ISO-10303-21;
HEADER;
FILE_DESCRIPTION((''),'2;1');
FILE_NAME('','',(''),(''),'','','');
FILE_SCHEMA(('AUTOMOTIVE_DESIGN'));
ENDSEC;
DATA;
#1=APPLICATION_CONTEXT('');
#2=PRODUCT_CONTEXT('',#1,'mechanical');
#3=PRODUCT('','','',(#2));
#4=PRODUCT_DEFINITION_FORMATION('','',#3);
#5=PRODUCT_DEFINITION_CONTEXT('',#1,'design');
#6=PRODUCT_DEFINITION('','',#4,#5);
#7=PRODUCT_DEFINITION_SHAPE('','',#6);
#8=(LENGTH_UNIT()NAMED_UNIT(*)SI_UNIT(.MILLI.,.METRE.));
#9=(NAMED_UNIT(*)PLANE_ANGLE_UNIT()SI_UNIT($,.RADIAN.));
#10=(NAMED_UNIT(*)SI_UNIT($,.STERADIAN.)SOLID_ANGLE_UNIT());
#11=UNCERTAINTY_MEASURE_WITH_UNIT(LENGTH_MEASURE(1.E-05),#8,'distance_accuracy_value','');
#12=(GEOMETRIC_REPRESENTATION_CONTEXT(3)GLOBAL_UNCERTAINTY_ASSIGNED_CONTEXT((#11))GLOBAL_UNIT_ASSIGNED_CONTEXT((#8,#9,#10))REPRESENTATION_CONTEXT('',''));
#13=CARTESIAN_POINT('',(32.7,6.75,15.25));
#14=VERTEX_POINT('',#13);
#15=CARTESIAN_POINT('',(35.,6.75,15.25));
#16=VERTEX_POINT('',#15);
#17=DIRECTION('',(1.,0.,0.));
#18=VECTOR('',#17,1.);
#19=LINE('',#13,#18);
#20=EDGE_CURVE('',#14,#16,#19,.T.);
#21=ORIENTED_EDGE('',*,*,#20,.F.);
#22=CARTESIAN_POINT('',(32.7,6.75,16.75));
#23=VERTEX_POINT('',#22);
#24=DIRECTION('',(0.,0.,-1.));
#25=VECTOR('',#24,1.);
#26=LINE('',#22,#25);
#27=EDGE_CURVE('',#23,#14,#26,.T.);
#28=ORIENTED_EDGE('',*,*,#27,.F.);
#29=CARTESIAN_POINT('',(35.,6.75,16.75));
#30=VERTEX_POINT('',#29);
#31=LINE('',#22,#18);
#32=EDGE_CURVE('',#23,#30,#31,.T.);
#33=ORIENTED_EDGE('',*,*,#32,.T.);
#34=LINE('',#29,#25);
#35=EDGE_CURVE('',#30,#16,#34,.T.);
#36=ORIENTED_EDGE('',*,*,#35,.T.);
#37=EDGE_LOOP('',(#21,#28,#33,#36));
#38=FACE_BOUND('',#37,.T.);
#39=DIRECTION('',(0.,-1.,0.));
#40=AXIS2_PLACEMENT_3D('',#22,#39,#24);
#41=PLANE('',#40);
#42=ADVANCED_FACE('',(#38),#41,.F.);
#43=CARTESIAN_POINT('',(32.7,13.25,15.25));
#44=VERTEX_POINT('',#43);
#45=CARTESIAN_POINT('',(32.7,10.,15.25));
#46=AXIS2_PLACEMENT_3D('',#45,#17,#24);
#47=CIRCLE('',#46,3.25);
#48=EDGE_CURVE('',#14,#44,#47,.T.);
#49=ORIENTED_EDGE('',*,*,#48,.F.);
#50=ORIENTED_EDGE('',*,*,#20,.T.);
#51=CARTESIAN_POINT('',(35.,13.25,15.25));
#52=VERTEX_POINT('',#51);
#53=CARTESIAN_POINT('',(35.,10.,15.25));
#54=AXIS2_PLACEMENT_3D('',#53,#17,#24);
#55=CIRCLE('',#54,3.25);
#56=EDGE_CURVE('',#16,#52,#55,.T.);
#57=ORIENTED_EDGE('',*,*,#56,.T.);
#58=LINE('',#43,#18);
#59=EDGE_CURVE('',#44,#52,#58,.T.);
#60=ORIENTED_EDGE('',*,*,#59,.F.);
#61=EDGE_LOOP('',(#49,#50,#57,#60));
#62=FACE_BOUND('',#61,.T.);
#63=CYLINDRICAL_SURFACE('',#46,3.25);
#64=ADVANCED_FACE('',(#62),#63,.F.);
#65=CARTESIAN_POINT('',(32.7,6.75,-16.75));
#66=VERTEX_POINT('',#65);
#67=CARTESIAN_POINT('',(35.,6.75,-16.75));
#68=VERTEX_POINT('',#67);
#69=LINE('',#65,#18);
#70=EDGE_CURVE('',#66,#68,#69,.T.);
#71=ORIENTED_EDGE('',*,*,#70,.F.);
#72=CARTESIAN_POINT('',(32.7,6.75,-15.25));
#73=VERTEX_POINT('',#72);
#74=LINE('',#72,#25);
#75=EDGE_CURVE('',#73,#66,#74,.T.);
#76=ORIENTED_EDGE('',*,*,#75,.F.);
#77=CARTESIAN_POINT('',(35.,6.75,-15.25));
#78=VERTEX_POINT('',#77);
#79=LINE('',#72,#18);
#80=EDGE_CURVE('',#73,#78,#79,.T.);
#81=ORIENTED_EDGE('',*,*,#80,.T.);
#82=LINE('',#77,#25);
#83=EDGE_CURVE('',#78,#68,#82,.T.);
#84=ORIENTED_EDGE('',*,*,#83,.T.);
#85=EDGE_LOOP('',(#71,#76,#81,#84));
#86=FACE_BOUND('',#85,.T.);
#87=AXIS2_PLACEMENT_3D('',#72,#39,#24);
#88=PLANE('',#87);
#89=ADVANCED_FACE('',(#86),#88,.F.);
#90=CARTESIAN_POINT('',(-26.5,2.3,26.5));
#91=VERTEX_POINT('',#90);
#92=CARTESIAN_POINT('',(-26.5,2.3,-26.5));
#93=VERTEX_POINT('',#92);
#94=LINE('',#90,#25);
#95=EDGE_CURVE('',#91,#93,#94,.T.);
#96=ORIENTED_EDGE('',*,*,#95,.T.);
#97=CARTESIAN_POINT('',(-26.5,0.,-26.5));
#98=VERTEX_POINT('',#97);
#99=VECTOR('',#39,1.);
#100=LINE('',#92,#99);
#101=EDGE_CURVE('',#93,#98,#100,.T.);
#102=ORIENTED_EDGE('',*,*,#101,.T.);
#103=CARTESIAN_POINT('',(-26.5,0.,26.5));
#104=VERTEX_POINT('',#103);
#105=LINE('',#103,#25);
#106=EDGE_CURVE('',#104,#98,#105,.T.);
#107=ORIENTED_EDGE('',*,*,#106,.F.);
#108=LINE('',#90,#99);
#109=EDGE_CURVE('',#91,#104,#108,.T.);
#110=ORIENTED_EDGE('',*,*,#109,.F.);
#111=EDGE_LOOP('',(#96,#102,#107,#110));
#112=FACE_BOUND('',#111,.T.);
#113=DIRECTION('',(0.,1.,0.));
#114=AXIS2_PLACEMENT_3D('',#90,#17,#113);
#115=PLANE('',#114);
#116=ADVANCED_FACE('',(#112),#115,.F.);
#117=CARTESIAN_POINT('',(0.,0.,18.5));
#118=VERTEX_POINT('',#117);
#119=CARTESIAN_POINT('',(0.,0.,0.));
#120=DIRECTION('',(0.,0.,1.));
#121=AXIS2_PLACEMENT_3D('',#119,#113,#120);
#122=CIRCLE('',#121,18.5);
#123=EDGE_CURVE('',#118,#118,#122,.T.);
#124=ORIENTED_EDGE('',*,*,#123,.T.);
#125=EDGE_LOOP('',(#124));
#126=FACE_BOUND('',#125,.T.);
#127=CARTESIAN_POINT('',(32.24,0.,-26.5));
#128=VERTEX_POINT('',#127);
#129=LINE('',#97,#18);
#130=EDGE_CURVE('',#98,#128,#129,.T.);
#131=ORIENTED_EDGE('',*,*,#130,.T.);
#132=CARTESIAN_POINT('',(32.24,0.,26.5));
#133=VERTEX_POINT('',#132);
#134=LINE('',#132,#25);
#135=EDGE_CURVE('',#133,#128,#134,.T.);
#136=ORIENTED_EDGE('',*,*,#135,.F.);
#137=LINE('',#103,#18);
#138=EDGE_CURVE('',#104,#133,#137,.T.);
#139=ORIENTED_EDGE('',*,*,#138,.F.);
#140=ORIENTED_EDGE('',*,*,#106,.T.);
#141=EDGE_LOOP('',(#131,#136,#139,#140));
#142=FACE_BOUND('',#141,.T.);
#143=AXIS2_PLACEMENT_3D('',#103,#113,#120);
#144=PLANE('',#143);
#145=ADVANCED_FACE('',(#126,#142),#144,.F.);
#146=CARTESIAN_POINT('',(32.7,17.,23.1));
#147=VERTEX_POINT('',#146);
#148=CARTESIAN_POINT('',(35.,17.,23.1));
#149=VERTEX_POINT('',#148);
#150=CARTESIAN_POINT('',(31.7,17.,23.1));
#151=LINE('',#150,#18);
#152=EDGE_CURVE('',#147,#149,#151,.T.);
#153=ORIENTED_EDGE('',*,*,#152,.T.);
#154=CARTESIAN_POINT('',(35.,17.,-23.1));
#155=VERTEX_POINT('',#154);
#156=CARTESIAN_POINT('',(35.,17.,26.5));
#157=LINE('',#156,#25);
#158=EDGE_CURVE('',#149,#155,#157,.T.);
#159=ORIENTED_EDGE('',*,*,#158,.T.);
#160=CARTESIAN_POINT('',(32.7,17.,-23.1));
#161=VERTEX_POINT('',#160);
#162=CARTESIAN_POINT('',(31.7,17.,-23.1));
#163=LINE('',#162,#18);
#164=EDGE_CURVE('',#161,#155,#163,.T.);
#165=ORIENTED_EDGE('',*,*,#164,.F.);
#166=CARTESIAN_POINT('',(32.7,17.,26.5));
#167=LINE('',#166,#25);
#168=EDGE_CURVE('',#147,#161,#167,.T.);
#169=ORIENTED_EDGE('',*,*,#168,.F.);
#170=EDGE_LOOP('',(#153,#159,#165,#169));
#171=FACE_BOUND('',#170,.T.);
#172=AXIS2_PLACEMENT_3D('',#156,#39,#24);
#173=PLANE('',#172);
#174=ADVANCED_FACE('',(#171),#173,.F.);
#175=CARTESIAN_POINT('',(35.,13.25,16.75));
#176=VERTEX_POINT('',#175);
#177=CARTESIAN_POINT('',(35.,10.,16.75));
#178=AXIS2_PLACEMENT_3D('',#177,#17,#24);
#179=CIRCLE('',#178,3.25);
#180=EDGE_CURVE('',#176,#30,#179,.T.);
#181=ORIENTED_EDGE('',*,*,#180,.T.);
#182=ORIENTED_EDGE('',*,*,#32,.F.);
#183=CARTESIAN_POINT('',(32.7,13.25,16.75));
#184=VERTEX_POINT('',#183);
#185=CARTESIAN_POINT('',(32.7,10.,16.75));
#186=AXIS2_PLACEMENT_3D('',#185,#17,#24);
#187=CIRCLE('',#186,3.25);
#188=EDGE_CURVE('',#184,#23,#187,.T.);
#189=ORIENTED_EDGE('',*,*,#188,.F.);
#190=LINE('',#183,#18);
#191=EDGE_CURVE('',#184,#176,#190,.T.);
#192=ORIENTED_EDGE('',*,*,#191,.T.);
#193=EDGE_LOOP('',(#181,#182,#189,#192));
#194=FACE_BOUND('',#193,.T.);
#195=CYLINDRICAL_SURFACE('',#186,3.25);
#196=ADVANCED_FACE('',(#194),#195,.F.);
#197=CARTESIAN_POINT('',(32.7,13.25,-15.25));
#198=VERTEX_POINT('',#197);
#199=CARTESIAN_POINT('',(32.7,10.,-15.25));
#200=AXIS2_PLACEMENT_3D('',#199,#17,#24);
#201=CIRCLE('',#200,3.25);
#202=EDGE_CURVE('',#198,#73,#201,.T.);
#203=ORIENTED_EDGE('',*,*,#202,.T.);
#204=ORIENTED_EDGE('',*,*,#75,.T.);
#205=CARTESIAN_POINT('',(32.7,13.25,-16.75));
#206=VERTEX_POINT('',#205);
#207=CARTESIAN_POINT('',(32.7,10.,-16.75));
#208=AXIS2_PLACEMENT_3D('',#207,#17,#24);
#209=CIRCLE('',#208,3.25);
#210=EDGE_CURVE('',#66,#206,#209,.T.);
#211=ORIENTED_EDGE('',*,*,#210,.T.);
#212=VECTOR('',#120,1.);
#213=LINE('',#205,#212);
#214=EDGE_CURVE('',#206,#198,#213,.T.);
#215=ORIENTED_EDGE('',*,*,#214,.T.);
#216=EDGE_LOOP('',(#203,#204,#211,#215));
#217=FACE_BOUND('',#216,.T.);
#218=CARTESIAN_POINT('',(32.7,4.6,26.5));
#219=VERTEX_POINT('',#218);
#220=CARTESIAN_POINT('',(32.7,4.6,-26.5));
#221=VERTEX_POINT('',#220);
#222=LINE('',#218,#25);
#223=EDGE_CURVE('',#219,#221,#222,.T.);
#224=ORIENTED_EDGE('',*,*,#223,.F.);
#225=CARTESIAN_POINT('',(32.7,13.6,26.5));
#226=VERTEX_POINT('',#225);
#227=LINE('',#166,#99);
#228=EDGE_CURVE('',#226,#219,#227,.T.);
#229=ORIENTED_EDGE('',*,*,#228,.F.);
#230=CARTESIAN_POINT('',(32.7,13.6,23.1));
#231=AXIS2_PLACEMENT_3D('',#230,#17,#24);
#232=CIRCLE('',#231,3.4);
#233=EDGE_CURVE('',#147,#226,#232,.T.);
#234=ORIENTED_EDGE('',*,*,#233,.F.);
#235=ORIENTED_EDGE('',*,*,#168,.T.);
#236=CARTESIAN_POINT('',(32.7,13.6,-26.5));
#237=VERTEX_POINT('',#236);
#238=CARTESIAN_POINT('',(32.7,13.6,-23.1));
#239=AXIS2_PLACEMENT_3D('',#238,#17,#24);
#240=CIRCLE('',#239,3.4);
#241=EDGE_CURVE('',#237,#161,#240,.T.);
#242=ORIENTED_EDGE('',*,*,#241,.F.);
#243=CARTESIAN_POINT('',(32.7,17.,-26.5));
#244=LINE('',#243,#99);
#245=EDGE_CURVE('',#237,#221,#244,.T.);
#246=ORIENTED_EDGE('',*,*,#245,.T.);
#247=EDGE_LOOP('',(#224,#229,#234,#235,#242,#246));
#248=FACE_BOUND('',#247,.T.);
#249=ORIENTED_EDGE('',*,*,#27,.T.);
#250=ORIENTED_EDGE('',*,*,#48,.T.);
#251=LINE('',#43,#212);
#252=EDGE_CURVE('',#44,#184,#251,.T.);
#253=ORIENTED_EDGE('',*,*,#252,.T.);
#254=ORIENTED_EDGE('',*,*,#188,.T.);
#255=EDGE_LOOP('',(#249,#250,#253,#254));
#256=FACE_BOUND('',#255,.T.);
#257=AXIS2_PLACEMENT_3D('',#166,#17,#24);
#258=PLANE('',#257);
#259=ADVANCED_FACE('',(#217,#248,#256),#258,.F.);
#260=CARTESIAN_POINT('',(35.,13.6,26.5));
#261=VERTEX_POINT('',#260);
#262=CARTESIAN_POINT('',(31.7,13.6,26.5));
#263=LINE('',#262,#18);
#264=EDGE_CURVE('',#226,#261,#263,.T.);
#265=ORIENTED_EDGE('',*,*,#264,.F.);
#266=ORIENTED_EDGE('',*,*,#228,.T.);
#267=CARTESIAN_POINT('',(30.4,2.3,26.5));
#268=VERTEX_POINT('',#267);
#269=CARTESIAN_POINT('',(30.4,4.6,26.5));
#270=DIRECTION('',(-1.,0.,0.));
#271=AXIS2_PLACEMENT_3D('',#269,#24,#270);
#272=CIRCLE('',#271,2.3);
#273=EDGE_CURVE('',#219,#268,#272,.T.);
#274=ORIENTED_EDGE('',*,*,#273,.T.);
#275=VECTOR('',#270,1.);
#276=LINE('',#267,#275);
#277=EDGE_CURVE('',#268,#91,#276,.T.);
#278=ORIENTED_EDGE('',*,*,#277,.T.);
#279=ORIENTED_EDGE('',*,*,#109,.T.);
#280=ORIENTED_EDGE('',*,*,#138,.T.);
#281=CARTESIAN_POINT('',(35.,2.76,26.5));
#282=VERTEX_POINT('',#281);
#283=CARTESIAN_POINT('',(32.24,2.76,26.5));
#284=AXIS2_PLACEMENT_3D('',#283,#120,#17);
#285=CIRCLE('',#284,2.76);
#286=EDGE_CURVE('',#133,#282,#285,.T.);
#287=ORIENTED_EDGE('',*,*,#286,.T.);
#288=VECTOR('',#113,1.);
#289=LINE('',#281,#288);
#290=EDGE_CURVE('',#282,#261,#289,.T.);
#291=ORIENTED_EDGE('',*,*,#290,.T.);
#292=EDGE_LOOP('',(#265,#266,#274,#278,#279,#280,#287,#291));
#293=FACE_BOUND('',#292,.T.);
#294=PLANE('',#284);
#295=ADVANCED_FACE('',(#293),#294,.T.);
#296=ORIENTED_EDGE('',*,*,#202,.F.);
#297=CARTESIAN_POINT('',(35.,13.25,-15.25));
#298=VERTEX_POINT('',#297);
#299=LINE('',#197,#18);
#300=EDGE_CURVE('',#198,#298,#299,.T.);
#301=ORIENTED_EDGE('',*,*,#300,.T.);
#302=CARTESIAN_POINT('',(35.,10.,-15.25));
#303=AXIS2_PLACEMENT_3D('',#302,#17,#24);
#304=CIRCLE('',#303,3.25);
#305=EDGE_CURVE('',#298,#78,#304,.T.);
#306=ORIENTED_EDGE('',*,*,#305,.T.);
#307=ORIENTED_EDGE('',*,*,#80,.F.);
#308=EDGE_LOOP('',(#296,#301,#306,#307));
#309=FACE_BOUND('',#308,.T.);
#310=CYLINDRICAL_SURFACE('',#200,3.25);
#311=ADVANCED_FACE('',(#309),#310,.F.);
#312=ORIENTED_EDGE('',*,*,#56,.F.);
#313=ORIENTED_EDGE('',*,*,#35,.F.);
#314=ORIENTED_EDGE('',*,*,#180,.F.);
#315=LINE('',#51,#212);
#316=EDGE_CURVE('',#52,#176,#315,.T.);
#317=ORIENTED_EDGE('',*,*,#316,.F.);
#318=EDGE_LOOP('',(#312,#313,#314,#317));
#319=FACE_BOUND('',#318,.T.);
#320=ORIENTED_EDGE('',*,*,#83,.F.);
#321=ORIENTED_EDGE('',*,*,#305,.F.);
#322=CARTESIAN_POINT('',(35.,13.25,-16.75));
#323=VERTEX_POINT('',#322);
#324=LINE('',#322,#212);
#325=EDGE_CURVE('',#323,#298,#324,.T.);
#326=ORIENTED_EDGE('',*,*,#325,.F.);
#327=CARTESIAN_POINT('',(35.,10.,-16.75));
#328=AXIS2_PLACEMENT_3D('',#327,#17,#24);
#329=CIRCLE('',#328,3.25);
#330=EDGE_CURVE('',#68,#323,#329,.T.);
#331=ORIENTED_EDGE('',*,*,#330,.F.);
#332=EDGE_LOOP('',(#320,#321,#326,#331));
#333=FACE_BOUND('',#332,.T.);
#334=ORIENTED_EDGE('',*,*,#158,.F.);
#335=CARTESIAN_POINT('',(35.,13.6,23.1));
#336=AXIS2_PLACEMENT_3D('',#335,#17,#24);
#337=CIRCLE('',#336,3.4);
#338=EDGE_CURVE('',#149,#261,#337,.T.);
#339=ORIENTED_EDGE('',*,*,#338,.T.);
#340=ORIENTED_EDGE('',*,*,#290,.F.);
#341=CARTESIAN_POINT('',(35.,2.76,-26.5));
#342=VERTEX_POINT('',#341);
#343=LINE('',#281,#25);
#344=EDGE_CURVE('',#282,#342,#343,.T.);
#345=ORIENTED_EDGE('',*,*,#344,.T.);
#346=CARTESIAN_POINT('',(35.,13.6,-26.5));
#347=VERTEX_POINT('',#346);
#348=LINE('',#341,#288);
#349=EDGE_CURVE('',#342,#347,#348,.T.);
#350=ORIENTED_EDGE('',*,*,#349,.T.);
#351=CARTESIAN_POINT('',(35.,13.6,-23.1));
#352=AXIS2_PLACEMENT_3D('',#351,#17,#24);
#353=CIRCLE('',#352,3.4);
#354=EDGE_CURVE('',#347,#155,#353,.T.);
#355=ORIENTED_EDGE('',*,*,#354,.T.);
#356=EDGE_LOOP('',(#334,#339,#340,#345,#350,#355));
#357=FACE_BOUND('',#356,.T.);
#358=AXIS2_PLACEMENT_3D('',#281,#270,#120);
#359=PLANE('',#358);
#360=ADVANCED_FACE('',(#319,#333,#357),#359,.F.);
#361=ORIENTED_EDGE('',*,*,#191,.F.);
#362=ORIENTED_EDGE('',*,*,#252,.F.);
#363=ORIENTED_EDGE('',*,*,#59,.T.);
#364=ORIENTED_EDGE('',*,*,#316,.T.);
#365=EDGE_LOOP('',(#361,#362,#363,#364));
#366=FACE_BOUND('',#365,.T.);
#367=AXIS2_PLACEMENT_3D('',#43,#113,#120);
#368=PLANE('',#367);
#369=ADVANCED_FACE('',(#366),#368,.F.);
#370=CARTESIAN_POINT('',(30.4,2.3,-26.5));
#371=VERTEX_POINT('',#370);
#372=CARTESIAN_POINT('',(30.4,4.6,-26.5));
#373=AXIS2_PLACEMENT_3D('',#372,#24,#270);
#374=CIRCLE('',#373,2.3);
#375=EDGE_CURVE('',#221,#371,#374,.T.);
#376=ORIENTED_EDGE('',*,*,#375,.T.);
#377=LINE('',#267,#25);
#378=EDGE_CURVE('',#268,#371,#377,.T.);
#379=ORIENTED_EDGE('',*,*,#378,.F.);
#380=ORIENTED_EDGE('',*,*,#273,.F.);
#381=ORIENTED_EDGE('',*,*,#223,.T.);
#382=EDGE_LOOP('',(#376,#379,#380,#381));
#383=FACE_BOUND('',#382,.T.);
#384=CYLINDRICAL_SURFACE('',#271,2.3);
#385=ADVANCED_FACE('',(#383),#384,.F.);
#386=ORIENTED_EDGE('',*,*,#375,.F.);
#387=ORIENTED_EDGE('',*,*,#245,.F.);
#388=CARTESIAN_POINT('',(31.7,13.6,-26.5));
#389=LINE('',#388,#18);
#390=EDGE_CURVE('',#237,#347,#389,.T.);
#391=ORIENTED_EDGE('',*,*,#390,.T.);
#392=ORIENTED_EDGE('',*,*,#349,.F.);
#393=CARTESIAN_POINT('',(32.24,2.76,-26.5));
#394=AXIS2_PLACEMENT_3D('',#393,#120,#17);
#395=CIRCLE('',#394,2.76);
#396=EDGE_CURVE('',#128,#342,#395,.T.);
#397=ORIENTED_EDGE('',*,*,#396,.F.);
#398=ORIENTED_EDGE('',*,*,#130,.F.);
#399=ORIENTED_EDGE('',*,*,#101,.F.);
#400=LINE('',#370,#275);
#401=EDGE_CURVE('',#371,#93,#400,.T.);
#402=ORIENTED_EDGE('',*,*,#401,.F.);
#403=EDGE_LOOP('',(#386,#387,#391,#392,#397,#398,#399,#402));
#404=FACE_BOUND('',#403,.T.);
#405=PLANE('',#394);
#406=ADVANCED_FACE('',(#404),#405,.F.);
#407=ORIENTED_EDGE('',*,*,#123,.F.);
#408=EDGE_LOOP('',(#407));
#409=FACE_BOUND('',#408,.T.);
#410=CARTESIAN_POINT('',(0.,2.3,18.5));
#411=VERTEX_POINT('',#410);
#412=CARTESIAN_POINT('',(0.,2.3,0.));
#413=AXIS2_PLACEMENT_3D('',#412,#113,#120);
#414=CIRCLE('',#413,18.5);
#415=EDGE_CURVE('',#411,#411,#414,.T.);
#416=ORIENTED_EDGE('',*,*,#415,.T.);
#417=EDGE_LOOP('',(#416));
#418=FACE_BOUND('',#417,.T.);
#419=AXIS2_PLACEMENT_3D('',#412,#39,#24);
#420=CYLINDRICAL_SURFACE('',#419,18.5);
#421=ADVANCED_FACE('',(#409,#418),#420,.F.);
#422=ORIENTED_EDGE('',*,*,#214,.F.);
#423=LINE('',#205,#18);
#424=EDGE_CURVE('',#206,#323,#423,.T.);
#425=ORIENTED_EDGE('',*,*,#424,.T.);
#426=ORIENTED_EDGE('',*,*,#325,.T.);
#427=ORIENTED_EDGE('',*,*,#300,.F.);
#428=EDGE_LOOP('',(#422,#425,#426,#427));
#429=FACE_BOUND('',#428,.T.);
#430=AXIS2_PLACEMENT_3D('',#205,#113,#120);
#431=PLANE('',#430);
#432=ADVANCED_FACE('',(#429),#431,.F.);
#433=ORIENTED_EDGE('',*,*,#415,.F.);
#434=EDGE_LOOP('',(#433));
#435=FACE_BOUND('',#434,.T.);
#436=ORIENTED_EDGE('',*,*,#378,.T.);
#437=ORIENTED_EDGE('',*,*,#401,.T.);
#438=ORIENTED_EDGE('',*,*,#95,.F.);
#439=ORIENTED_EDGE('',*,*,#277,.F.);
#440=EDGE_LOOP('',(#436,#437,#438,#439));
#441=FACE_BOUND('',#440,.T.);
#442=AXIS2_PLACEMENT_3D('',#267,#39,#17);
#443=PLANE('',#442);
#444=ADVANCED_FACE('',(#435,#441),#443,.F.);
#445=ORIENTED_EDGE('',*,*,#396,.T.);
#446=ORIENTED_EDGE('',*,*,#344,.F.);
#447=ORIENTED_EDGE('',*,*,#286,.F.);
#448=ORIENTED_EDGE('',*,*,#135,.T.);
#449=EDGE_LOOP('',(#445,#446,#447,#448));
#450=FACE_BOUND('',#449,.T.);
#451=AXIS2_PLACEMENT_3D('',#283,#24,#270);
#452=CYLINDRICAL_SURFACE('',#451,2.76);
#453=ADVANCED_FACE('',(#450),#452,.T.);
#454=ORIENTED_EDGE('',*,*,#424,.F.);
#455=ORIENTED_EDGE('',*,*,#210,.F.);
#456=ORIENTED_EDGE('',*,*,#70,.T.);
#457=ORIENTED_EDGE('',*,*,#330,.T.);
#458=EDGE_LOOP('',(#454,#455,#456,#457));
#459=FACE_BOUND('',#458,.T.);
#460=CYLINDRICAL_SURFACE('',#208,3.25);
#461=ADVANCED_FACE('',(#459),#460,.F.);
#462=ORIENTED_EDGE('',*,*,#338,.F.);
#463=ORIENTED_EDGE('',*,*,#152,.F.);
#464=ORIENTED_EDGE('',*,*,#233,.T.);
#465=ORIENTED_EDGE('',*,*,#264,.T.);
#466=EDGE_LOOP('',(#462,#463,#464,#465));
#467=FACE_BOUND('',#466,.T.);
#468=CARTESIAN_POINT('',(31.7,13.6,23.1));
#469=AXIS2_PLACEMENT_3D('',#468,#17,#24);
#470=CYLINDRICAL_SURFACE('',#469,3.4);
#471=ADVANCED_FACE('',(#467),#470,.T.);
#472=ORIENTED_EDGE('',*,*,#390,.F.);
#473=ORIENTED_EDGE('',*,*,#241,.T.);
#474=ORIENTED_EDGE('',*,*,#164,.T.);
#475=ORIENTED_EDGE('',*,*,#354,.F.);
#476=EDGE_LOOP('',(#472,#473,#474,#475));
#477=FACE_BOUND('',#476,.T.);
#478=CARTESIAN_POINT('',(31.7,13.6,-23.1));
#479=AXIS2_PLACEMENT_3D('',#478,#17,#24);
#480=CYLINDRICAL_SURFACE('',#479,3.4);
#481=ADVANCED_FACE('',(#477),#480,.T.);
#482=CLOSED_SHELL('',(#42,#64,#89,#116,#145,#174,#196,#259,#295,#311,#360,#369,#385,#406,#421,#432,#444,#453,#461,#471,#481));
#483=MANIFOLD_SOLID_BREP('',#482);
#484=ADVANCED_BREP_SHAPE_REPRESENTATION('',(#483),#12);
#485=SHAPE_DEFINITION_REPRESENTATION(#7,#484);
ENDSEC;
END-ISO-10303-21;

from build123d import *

# Parameters (mm, degrees)
EXTRUDE_1_DEPTH      = 26.5
EXTRUDE_1_DEPTH_BACK = 26.5
CUT_EXTRUDE_1_DEPTH  = 2.3
CUT_EXTRUDE_2_DEPTH  = 2.3
SKETCH_4_R           = 18.5
CUT_EXTRUDE_3_DEPTH  = 2.3
SKETCH_5_W           = 142.237580419
SKETCH_5_H           = 102.661015156
CUT_EXTRUDE_4_DEPTH  = 3.3


with BuildPart() as part:
    # 草图1 → 凸台-拉伸1 (new, two sides: drawn at the far end of the back side and taken through both)
    with BuildSketch(Plane.XY.offset(-EXTRUDE_1_DEPTH_BACK)):
        with BuildLine():
            Line((-26.5, 0), (32.24, 0))
            ThreePointArc((32.24, 0), (34.191614716, 0.808385284), (35, 2.76))
            Line((35, 2.76), (35, 17))
            Line((35, 17), (32.7, 17))
            Line((32.7, 17), (32.7, 4.6))
            ThreePointArc((32.7, 4.6), (32.026345597, 2.973654403), (30.4, 2.3))
            Line((30.4, 2.3), (-26.5, 2.3))
            Line((-26.5, 2.3), (-26.5, 0))
        make_face()
    extrude(amount=EXTRUDE_1_DEPTH + EXTRUDE_1_DEPTH_BACK)

    # 草图2 → 切除-拉伸1 (cut)
    with BuildSketch(Plane(origin=(35, 0, 0), x_dir=(0, 0, -1), z_dir=(1, 0, 0))):
        with BuildLine():
            Line((-16.75, 6.75), (-15.25, 6.75))
            ThreePointArc((-15.25, 6.75), (-12.951902961, 7.701902961), (-12, 10))
            ThreePointArc((-12, 10), (-12.951902961, 12.298097039), (-15.25, 13.25))
            Line((-15.25, 13.25), (-16.75, 13.25))
            ThreePointArc((-16.75, 13.25), (-19.048097039, 12.298097039), (-20, 10))
            ThreePointArc((-20, 10), (-19.048097039, 7.701902961), (-16.75, 6.75))
        make_face()
    extrude(amount=-CUT_EXTRUDE_1_DEPTH, mode=Mode.SUBTRACT)

    # 草图3 → 切除-拉伸2 (cut)
    with BuildSketch(Plane(origin=(35, 0, 0), x_dir=(0, 0, -1), z_dir=(1, 0, 0))):
        with BuildLine():
            Line((15.25, 6.75), (16.75, 6.75))
            ThreePointArc((16.75, 6.75), (19.048097039, 7.701902961), (20, 10))
            ThreePointArc((20, 10), (19.048097039, 12.298097039), (16.75, 13.25))
            Line((16.75, 13.25), (15.25, 13.25))
            ThreePointArc((15.25, 13.25), (12.951902961, 12.298097039), (12, 10))
            ThreePointArc((12, 10), (12.951902961, 7.701902961), (15.25, 6.75))
        make_face()
    extrude(amount=-CUT_EXTRUDE_2_DEPTH, mode=Mode.SUBTRACT)

    # 草图4 → 切除-拉伸3 (cut)
    with BuildSketch(Plane(origin=(0, 0, 0), x_dir=(1, 0, 0), z_dir=(0, 1, 0))):
        Circle(SKETCH_4_R)
    extrude(amount=CUT_EXTRUDE_3_DEPTH, mode=Mode.SUBTRACT)

    # 草图5 → 切除-拉伸4 (cut)
    with BuildSketch(Plane(origin=(35, 0, 0), x_dir=(0, 0, -1), z_dir=(1, 0, 0))):
        with Locations((4.017170159, 13.868386078)):
            Rectangle(SKETCH_5_W, SKETCH_5_H)
        with BuildLine():
            Line((-26.5, 0), (26.5, 0))
            Line((26.5, 0), (26.5, 13.6))
            ThreePointArc((26.5, 13.6), (25.504163056, 16.004163056), (23.1, 17))
            Line((23.1, 17), (-23.1, 17))
            ThreePointArc((-23.1, 17), (-25.504163056, 16.004163056), (-26.5, 13.6))
            Line((-26.5, 13.6), (-26.5, 0))
        make_face(mode=Mode.SUBTRACT)
    extrude(amount=-CUT_EXTRUDE_4_DEPTH, mode=Mode.SUBTRACT)


solid = part.part
